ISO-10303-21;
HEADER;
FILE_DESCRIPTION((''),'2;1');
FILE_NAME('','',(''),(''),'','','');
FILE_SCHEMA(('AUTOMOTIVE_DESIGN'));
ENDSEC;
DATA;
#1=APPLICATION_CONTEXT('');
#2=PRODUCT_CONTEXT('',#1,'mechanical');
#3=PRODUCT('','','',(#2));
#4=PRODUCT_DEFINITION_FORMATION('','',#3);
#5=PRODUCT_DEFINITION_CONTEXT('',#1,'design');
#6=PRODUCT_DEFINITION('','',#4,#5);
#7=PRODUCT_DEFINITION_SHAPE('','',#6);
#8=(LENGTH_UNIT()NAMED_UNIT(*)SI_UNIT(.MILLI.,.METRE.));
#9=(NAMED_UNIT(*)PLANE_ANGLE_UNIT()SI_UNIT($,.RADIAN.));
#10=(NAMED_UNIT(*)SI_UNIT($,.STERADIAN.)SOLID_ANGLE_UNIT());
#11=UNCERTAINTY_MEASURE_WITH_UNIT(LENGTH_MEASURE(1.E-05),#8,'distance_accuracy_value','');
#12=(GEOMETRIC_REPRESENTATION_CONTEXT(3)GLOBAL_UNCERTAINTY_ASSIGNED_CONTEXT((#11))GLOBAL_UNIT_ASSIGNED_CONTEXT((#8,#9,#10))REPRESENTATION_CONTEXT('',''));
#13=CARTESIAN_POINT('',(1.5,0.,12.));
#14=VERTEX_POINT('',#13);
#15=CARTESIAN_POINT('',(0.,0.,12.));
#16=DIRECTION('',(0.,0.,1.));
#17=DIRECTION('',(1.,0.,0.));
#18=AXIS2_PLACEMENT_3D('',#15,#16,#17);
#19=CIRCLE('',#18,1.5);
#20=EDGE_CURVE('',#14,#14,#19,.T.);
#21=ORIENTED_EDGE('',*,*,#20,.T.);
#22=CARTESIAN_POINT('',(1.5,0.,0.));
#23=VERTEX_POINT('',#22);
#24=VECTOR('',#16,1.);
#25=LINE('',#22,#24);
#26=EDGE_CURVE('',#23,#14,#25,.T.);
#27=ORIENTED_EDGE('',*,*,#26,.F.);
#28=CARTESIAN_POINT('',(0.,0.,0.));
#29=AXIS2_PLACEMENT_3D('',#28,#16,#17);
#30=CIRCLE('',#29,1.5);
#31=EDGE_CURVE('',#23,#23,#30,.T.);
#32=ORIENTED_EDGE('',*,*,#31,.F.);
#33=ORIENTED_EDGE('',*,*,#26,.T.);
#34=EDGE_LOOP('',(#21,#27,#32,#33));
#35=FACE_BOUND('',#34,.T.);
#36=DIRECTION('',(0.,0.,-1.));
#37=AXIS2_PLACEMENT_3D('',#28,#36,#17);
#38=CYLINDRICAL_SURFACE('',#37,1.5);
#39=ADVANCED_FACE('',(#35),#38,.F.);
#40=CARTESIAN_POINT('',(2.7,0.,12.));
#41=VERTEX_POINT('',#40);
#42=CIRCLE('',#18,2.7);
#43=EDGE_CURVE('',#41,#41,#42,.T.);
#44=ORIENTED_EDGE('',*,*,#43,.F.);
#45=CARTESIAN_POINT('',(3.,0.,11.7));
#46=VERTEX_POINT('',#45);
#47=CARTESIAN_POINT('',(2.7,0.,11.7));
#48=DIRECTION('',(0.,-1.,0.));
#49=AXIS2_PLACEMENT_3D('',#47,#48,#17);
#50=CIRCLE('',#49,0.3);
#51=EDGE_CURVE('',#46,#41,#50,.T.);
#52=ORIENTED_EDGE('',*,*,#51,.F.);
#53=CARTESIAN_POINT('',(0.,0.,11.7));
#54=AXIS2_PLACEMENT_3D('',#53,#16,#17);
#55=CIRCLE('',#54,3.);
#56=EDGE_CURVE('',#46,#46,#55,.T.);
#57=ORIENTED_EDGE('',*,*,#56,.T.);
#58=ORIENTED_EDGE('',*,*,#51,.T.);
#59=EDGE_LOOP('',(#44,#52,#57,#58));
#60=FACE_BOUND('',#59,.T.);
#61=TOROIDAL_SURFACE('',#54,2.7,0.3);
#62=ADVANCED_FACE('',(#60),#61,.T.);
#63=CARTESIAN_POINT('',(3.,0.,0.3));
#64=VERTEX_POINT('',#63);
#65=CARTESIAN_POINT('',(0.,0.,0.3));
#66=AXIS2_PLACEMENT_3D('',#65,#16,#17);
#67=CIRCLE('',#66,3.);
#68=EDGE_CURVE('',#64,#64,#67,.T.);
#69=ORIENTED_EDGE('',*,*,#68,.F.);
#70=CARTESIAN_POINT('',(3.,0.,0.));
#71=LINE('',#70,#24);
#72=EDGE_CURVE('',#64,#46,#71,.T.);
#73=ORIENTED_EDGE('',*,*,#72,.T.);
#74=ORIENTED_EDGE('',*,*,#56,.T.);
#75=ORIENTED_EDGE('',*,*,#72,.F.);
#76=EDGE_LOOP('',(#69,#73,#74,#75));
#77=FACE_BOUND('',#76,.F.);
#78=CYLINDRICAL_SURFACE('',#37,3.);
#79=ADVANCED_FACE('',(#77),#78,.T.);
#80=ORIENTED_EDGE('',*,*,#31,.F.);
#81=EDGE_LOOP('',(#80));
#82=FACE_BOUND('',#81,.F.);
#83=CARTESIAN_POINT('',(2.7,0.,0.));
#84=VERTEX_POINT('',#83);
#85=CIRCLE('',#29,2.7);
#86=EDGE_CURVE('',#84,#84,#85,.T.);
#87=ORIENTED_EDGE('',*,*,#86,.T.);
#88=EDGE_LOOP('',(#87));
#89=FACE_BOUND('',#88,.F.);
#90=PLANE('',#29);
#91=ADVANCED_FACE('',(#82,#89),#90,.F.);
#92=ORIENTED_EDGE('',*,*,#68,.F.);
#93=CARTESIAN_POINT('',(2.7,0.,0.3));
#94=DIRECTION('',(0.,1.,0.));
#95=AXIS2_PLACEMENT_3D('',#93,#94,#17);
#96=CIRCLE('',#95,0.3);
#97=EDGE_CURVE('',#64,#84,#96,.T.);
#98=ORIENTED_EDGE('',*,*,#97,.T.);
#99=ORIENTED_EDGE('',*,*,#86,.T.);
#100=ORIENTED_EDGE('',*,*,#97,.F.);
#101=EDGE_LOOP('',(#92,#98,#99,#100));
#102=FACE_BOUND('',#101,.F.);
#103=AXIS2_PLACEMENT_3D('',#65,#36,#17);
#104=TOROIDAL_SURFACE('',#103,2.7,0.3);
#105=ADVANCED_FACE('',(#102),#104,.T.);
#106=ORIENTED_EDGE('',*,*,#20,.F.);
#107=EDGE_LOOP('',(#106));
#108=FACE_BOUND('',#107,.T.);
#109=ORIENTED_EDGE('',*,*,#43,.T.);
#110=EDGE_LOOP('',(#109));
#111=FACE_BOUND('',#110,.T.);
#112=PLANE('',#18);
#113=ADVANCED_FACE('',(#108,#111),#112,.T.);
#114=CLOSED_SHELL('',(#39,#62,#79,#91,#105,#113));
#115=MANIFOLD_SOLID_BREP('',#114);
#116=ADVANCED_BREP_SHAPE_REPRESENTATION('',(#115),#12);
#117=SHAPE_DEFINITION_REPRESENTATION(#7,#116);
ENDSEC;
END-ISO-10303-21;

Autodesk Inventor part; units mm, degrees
ref_plane "YZ Plane" through (0, 0, 0) normal (1, 0, 0) x (0, 1, 0)
ref_plane "XZ Plane" through (0, 0, 0) normal (0, 1, 0) x (-1, 0, 0)
ref_plane "XY Plane" through (0, 0, 0) normal (0, 0, 1) x (1, 0, 0)
sketch "スケッチ1" plane through (0, 0, 0) normal (0, 0, 1) x (1, 0, 0)
  circle A0 centre (0, 0) radius 1.5
  circle A1 centre (0, 0) radius 3
  dimension "d0" = 3
  dimension "d1" = 6
extrude "押し出し1" add sketch "スケッチ1" along normal blind 12
fillet "フィレット1" radius 0.3 2 edges at (-3, 0, 12) (-3, 0, 0)
thread "ねじ1" size "M3x0.5" class "6H" standard "ANSI Metric M Profile" length 100
properties part number "スペーサーM3L12樹脂" material "アセタール樹脂、黒"
